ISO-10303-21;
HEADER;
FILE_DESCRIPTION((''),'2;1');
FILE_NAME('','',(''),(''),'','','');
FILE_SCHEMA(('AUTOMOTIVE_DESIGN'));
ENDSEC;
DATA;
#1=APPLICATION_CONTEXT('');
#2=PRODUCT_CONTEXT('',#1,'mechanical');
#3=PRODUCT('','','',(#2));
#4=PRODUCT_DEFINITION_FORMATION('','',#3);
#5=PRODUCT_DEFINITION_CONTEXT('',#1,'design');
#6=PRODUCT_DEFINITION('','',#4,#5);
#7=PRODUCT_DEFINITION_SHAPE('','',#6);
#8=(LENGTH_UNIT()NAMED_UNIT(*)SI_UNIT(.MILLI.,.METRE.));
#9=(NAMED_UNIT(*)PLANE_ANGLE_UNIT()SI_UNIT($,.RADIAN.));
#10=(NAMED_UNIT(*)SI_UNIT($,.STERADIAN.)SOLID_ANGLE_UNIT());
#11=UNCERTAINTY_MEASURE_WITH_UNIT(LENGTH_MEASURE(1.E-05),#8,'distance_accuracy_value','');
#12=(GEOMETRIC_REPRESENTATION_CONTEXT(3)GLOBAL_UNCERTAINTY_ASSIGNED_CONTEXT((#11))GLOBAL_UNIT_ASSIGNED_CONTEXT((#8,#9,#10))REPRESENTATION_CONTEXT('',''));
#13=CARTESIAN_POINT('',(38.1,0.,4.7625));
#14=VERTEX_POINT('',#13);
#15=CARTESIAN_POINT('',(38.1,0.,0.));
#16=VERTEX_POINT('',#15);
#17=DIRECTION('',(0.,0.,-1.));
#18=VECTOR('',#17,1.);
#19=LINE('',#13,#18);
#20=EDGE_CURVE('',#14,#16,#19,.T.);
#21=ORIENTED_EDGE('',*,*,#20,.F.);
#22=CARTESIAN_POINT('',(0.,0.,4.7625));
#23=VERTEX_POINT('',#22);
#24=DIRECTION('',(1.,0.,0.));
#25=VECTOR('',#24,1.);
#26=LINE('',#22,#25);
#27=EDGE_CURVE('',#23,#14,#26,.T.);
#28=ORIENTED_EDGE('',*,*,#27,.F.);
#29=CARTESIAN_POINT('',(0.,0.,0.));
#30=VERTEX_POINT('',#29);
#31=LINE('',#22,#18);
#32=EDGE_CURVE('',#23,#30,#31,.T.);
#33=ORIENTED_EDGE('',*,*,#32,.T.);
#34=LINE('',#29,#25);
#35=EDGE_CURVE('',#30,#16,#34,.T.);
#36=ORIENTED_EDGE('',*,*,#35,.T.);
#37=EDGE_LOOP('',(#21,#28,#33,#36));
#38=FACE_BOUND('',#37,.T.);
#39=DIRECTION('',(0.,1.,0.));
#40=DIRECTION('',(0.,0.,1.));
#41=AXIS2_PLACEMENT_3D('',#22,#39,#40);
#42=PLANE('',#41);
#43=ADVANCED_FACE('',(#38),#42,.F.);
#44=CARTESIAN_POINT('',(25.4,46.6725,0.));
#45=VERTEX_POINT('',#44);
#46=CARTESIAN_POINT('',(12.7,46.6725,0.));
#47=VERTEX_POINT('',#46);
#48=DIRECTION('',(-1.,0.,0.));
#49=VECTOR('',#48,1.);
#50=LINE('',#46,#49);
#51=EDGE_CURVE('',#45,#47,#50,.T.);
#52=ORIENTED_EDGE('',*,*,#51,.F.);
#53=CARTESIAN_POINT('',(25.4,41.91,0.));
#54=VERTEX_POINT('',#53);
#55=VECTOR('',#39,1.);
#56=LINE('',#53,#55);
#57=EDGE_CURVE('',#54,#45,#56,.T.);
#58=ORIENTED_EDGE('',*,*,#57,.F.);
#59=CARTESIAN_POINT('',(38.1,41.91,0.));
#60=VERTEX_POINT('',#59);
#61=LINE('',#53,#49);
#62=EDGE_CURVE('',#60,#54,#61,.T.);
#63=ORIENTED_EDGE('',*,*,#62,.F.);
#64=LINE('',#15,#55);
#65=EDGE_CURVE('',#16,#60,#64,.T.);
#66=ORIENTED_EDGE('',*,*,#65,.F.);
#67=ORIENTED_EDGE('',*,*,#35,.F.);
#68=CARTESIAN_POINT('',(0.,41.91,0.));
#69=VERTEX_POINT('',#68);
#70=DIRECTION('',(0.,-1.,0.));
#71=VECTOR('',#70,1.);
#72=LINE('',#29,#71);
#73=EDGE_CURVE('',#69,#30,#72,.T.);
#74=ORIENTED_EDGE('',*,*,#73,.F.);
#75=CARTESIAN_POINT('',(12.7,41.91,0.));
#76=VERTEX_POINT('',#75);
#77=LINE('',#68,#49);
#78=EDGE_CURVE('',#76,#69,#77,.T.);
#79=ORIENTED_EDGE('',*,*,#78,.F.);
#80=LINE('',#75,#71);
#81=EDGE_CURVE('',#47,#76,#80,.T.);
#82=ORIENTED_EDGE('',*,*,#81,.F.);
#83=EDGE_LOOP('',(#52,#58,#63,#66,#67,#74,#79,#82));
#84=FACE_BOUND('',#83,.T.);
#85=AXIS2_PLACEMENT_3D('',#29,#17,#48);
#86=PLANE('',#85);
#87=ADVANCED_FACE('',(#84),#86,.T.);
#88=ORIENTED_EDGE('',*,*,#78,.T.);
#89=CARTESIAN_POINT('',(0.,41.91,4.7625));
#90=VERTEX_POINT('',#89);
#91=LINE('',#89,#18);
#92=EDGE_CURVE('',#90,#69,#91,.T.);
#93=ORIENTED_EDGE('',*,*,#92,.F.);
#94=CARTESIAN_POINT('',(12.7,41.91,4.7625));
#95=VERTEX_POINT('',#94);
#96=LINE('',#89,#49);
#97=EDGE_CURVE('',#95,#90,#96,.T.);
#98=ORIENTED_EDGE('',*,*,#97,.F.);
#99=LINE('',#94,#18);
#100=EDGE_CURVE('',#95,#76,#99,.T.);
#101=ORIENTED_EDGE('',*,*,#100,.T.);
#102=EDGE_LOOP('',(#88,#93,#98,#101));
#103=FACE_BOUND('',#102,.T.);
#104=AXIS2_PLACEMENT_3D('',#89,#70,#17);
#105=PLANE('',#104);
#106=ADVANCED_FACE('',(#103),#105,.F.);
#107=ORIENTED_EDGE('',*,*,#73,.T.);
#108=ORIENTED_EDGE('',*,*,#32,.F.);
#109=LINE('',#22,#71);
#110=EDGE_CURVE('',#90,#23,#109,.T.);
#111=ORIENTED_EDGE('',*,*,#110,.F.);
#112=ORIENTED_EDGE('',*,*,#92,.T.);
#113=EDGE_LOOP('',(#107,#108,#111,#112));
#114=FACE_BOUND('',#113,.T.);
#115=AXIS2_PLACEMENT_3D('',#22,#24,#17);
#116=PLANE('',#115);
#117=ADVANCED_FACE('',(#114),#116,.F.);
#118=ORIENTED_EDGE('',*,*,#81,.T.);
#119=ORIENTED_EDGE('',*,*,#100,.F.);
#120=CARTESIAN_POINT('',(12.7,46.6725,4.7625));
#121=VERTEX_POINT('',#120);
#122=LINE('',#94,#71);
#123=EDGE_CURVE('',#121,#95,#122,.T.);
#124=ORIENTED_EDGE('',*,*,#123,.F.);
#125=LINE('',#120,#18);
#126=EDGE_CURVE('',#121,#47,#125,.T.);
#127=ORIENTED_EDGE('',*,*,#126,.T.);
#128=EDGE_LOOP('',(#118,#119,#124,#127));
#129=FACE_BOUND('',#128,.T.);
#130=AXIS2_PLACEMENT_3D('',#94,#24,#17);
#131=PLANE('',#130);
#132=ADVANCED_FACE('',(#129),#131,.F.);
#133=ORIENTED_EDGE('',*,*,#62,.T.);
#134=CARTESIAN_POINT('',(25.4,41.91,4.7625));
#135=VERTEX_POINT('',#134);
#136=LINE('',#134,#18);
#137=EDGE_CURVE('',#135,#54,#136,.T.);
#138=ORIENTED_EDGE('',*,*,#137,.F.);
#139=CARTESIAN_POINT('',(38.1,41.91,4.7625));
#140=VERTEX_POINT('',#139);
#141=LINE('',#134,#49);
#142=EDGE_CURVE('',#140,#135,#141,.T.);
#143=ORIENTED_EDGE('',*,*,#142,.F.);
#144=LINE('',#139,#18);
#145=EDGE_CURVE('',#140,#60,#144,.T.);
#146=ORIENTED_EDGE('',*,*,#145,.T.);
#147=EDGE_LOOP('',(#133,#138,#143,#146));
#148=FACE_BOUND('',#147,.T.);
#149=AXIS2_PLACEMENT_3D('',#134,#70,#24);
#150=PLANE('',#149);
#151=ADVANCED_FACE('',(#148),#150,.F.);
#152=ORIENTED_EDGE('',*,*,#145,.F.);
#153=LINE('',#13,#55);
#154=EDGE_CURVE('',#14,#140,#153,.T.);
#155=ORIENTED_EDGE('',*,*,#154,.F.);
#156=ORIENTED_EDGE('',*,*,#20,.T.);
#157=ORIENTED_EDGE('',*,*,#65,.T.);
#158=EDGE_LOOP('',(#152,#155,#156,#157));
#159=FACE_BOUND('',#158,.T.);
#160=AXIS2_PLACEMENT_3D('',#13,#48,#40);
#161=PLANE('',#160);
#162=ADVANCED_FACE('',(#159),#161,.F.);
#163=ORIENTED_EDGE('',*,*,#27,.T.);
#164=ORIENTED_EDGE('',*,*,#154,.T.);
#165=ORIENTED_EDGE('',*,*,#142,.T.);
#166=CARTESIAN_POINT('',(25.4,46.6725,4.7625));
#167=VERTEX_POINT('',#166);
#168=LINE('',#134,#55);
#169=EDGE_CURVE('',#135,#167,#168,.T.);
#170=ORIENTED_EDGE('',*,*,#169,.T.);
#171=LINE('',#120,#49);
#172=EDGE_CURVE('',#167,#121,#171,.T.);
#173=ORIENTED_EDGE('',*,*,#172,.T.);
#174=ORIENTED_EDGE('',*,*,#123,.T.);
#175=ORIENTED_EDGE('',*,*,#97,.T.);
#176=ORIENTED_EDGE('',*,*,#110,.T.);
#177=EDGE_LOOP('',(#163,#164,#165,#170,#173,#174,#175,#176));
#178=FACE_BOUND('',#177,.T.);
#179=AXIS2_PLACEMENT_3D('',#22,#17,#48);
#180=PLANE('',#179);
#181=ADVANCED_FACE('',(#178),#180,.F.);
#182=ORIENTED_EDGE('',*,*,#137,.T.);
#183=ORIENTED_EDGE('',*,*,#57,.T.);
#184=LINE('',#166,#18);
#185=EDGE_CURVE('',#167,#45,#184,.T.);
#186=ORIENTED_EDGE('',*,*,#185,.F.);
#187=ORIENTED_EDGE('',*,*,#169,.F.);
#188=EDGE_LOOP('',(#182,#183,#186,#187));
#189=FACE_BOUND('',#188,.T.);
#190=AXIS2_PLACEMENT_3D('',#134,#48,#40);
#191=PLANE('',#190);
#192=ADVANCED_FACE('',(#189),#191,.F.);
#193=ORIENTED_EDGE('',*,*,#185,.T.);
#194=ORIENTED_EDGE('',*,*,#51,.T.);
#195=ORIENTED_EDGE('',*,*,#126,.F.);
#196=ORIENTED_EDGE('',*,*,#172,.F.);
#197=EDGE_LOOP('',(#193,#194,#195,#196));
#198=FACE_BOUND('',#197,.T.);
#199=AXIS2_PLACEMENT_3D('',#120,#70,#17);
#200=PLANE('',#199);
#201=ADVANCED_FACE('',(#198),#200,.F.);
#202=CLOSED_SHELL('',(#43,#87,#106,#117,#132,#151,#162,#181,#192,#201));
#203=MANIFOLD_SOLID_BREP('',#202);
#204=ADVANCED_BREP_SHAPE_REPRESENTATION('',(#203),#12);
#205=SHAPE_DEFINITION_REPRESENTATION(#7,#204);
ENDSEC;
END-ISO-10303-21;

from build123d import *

# Parameters (mm, degrees)
BOSS_EXTRUDE1_DEPTH = 4.7625


with BuildPart() as part:
    # Sketch1 → Boss-Extrude1 (new body)
    with BuildSketch(Plane.XY):
        Polygon((25.4, 41.91), (38.1, 41.91), (38.1, 0), (0, 0), (0, 41.91), (12.7, 41.91), (12.7, 46.6725), (25.4, 46.6725), align=None)
    extrude(amount=BOSS_EXTRUDE1_DEPTH)


solid = part.part
